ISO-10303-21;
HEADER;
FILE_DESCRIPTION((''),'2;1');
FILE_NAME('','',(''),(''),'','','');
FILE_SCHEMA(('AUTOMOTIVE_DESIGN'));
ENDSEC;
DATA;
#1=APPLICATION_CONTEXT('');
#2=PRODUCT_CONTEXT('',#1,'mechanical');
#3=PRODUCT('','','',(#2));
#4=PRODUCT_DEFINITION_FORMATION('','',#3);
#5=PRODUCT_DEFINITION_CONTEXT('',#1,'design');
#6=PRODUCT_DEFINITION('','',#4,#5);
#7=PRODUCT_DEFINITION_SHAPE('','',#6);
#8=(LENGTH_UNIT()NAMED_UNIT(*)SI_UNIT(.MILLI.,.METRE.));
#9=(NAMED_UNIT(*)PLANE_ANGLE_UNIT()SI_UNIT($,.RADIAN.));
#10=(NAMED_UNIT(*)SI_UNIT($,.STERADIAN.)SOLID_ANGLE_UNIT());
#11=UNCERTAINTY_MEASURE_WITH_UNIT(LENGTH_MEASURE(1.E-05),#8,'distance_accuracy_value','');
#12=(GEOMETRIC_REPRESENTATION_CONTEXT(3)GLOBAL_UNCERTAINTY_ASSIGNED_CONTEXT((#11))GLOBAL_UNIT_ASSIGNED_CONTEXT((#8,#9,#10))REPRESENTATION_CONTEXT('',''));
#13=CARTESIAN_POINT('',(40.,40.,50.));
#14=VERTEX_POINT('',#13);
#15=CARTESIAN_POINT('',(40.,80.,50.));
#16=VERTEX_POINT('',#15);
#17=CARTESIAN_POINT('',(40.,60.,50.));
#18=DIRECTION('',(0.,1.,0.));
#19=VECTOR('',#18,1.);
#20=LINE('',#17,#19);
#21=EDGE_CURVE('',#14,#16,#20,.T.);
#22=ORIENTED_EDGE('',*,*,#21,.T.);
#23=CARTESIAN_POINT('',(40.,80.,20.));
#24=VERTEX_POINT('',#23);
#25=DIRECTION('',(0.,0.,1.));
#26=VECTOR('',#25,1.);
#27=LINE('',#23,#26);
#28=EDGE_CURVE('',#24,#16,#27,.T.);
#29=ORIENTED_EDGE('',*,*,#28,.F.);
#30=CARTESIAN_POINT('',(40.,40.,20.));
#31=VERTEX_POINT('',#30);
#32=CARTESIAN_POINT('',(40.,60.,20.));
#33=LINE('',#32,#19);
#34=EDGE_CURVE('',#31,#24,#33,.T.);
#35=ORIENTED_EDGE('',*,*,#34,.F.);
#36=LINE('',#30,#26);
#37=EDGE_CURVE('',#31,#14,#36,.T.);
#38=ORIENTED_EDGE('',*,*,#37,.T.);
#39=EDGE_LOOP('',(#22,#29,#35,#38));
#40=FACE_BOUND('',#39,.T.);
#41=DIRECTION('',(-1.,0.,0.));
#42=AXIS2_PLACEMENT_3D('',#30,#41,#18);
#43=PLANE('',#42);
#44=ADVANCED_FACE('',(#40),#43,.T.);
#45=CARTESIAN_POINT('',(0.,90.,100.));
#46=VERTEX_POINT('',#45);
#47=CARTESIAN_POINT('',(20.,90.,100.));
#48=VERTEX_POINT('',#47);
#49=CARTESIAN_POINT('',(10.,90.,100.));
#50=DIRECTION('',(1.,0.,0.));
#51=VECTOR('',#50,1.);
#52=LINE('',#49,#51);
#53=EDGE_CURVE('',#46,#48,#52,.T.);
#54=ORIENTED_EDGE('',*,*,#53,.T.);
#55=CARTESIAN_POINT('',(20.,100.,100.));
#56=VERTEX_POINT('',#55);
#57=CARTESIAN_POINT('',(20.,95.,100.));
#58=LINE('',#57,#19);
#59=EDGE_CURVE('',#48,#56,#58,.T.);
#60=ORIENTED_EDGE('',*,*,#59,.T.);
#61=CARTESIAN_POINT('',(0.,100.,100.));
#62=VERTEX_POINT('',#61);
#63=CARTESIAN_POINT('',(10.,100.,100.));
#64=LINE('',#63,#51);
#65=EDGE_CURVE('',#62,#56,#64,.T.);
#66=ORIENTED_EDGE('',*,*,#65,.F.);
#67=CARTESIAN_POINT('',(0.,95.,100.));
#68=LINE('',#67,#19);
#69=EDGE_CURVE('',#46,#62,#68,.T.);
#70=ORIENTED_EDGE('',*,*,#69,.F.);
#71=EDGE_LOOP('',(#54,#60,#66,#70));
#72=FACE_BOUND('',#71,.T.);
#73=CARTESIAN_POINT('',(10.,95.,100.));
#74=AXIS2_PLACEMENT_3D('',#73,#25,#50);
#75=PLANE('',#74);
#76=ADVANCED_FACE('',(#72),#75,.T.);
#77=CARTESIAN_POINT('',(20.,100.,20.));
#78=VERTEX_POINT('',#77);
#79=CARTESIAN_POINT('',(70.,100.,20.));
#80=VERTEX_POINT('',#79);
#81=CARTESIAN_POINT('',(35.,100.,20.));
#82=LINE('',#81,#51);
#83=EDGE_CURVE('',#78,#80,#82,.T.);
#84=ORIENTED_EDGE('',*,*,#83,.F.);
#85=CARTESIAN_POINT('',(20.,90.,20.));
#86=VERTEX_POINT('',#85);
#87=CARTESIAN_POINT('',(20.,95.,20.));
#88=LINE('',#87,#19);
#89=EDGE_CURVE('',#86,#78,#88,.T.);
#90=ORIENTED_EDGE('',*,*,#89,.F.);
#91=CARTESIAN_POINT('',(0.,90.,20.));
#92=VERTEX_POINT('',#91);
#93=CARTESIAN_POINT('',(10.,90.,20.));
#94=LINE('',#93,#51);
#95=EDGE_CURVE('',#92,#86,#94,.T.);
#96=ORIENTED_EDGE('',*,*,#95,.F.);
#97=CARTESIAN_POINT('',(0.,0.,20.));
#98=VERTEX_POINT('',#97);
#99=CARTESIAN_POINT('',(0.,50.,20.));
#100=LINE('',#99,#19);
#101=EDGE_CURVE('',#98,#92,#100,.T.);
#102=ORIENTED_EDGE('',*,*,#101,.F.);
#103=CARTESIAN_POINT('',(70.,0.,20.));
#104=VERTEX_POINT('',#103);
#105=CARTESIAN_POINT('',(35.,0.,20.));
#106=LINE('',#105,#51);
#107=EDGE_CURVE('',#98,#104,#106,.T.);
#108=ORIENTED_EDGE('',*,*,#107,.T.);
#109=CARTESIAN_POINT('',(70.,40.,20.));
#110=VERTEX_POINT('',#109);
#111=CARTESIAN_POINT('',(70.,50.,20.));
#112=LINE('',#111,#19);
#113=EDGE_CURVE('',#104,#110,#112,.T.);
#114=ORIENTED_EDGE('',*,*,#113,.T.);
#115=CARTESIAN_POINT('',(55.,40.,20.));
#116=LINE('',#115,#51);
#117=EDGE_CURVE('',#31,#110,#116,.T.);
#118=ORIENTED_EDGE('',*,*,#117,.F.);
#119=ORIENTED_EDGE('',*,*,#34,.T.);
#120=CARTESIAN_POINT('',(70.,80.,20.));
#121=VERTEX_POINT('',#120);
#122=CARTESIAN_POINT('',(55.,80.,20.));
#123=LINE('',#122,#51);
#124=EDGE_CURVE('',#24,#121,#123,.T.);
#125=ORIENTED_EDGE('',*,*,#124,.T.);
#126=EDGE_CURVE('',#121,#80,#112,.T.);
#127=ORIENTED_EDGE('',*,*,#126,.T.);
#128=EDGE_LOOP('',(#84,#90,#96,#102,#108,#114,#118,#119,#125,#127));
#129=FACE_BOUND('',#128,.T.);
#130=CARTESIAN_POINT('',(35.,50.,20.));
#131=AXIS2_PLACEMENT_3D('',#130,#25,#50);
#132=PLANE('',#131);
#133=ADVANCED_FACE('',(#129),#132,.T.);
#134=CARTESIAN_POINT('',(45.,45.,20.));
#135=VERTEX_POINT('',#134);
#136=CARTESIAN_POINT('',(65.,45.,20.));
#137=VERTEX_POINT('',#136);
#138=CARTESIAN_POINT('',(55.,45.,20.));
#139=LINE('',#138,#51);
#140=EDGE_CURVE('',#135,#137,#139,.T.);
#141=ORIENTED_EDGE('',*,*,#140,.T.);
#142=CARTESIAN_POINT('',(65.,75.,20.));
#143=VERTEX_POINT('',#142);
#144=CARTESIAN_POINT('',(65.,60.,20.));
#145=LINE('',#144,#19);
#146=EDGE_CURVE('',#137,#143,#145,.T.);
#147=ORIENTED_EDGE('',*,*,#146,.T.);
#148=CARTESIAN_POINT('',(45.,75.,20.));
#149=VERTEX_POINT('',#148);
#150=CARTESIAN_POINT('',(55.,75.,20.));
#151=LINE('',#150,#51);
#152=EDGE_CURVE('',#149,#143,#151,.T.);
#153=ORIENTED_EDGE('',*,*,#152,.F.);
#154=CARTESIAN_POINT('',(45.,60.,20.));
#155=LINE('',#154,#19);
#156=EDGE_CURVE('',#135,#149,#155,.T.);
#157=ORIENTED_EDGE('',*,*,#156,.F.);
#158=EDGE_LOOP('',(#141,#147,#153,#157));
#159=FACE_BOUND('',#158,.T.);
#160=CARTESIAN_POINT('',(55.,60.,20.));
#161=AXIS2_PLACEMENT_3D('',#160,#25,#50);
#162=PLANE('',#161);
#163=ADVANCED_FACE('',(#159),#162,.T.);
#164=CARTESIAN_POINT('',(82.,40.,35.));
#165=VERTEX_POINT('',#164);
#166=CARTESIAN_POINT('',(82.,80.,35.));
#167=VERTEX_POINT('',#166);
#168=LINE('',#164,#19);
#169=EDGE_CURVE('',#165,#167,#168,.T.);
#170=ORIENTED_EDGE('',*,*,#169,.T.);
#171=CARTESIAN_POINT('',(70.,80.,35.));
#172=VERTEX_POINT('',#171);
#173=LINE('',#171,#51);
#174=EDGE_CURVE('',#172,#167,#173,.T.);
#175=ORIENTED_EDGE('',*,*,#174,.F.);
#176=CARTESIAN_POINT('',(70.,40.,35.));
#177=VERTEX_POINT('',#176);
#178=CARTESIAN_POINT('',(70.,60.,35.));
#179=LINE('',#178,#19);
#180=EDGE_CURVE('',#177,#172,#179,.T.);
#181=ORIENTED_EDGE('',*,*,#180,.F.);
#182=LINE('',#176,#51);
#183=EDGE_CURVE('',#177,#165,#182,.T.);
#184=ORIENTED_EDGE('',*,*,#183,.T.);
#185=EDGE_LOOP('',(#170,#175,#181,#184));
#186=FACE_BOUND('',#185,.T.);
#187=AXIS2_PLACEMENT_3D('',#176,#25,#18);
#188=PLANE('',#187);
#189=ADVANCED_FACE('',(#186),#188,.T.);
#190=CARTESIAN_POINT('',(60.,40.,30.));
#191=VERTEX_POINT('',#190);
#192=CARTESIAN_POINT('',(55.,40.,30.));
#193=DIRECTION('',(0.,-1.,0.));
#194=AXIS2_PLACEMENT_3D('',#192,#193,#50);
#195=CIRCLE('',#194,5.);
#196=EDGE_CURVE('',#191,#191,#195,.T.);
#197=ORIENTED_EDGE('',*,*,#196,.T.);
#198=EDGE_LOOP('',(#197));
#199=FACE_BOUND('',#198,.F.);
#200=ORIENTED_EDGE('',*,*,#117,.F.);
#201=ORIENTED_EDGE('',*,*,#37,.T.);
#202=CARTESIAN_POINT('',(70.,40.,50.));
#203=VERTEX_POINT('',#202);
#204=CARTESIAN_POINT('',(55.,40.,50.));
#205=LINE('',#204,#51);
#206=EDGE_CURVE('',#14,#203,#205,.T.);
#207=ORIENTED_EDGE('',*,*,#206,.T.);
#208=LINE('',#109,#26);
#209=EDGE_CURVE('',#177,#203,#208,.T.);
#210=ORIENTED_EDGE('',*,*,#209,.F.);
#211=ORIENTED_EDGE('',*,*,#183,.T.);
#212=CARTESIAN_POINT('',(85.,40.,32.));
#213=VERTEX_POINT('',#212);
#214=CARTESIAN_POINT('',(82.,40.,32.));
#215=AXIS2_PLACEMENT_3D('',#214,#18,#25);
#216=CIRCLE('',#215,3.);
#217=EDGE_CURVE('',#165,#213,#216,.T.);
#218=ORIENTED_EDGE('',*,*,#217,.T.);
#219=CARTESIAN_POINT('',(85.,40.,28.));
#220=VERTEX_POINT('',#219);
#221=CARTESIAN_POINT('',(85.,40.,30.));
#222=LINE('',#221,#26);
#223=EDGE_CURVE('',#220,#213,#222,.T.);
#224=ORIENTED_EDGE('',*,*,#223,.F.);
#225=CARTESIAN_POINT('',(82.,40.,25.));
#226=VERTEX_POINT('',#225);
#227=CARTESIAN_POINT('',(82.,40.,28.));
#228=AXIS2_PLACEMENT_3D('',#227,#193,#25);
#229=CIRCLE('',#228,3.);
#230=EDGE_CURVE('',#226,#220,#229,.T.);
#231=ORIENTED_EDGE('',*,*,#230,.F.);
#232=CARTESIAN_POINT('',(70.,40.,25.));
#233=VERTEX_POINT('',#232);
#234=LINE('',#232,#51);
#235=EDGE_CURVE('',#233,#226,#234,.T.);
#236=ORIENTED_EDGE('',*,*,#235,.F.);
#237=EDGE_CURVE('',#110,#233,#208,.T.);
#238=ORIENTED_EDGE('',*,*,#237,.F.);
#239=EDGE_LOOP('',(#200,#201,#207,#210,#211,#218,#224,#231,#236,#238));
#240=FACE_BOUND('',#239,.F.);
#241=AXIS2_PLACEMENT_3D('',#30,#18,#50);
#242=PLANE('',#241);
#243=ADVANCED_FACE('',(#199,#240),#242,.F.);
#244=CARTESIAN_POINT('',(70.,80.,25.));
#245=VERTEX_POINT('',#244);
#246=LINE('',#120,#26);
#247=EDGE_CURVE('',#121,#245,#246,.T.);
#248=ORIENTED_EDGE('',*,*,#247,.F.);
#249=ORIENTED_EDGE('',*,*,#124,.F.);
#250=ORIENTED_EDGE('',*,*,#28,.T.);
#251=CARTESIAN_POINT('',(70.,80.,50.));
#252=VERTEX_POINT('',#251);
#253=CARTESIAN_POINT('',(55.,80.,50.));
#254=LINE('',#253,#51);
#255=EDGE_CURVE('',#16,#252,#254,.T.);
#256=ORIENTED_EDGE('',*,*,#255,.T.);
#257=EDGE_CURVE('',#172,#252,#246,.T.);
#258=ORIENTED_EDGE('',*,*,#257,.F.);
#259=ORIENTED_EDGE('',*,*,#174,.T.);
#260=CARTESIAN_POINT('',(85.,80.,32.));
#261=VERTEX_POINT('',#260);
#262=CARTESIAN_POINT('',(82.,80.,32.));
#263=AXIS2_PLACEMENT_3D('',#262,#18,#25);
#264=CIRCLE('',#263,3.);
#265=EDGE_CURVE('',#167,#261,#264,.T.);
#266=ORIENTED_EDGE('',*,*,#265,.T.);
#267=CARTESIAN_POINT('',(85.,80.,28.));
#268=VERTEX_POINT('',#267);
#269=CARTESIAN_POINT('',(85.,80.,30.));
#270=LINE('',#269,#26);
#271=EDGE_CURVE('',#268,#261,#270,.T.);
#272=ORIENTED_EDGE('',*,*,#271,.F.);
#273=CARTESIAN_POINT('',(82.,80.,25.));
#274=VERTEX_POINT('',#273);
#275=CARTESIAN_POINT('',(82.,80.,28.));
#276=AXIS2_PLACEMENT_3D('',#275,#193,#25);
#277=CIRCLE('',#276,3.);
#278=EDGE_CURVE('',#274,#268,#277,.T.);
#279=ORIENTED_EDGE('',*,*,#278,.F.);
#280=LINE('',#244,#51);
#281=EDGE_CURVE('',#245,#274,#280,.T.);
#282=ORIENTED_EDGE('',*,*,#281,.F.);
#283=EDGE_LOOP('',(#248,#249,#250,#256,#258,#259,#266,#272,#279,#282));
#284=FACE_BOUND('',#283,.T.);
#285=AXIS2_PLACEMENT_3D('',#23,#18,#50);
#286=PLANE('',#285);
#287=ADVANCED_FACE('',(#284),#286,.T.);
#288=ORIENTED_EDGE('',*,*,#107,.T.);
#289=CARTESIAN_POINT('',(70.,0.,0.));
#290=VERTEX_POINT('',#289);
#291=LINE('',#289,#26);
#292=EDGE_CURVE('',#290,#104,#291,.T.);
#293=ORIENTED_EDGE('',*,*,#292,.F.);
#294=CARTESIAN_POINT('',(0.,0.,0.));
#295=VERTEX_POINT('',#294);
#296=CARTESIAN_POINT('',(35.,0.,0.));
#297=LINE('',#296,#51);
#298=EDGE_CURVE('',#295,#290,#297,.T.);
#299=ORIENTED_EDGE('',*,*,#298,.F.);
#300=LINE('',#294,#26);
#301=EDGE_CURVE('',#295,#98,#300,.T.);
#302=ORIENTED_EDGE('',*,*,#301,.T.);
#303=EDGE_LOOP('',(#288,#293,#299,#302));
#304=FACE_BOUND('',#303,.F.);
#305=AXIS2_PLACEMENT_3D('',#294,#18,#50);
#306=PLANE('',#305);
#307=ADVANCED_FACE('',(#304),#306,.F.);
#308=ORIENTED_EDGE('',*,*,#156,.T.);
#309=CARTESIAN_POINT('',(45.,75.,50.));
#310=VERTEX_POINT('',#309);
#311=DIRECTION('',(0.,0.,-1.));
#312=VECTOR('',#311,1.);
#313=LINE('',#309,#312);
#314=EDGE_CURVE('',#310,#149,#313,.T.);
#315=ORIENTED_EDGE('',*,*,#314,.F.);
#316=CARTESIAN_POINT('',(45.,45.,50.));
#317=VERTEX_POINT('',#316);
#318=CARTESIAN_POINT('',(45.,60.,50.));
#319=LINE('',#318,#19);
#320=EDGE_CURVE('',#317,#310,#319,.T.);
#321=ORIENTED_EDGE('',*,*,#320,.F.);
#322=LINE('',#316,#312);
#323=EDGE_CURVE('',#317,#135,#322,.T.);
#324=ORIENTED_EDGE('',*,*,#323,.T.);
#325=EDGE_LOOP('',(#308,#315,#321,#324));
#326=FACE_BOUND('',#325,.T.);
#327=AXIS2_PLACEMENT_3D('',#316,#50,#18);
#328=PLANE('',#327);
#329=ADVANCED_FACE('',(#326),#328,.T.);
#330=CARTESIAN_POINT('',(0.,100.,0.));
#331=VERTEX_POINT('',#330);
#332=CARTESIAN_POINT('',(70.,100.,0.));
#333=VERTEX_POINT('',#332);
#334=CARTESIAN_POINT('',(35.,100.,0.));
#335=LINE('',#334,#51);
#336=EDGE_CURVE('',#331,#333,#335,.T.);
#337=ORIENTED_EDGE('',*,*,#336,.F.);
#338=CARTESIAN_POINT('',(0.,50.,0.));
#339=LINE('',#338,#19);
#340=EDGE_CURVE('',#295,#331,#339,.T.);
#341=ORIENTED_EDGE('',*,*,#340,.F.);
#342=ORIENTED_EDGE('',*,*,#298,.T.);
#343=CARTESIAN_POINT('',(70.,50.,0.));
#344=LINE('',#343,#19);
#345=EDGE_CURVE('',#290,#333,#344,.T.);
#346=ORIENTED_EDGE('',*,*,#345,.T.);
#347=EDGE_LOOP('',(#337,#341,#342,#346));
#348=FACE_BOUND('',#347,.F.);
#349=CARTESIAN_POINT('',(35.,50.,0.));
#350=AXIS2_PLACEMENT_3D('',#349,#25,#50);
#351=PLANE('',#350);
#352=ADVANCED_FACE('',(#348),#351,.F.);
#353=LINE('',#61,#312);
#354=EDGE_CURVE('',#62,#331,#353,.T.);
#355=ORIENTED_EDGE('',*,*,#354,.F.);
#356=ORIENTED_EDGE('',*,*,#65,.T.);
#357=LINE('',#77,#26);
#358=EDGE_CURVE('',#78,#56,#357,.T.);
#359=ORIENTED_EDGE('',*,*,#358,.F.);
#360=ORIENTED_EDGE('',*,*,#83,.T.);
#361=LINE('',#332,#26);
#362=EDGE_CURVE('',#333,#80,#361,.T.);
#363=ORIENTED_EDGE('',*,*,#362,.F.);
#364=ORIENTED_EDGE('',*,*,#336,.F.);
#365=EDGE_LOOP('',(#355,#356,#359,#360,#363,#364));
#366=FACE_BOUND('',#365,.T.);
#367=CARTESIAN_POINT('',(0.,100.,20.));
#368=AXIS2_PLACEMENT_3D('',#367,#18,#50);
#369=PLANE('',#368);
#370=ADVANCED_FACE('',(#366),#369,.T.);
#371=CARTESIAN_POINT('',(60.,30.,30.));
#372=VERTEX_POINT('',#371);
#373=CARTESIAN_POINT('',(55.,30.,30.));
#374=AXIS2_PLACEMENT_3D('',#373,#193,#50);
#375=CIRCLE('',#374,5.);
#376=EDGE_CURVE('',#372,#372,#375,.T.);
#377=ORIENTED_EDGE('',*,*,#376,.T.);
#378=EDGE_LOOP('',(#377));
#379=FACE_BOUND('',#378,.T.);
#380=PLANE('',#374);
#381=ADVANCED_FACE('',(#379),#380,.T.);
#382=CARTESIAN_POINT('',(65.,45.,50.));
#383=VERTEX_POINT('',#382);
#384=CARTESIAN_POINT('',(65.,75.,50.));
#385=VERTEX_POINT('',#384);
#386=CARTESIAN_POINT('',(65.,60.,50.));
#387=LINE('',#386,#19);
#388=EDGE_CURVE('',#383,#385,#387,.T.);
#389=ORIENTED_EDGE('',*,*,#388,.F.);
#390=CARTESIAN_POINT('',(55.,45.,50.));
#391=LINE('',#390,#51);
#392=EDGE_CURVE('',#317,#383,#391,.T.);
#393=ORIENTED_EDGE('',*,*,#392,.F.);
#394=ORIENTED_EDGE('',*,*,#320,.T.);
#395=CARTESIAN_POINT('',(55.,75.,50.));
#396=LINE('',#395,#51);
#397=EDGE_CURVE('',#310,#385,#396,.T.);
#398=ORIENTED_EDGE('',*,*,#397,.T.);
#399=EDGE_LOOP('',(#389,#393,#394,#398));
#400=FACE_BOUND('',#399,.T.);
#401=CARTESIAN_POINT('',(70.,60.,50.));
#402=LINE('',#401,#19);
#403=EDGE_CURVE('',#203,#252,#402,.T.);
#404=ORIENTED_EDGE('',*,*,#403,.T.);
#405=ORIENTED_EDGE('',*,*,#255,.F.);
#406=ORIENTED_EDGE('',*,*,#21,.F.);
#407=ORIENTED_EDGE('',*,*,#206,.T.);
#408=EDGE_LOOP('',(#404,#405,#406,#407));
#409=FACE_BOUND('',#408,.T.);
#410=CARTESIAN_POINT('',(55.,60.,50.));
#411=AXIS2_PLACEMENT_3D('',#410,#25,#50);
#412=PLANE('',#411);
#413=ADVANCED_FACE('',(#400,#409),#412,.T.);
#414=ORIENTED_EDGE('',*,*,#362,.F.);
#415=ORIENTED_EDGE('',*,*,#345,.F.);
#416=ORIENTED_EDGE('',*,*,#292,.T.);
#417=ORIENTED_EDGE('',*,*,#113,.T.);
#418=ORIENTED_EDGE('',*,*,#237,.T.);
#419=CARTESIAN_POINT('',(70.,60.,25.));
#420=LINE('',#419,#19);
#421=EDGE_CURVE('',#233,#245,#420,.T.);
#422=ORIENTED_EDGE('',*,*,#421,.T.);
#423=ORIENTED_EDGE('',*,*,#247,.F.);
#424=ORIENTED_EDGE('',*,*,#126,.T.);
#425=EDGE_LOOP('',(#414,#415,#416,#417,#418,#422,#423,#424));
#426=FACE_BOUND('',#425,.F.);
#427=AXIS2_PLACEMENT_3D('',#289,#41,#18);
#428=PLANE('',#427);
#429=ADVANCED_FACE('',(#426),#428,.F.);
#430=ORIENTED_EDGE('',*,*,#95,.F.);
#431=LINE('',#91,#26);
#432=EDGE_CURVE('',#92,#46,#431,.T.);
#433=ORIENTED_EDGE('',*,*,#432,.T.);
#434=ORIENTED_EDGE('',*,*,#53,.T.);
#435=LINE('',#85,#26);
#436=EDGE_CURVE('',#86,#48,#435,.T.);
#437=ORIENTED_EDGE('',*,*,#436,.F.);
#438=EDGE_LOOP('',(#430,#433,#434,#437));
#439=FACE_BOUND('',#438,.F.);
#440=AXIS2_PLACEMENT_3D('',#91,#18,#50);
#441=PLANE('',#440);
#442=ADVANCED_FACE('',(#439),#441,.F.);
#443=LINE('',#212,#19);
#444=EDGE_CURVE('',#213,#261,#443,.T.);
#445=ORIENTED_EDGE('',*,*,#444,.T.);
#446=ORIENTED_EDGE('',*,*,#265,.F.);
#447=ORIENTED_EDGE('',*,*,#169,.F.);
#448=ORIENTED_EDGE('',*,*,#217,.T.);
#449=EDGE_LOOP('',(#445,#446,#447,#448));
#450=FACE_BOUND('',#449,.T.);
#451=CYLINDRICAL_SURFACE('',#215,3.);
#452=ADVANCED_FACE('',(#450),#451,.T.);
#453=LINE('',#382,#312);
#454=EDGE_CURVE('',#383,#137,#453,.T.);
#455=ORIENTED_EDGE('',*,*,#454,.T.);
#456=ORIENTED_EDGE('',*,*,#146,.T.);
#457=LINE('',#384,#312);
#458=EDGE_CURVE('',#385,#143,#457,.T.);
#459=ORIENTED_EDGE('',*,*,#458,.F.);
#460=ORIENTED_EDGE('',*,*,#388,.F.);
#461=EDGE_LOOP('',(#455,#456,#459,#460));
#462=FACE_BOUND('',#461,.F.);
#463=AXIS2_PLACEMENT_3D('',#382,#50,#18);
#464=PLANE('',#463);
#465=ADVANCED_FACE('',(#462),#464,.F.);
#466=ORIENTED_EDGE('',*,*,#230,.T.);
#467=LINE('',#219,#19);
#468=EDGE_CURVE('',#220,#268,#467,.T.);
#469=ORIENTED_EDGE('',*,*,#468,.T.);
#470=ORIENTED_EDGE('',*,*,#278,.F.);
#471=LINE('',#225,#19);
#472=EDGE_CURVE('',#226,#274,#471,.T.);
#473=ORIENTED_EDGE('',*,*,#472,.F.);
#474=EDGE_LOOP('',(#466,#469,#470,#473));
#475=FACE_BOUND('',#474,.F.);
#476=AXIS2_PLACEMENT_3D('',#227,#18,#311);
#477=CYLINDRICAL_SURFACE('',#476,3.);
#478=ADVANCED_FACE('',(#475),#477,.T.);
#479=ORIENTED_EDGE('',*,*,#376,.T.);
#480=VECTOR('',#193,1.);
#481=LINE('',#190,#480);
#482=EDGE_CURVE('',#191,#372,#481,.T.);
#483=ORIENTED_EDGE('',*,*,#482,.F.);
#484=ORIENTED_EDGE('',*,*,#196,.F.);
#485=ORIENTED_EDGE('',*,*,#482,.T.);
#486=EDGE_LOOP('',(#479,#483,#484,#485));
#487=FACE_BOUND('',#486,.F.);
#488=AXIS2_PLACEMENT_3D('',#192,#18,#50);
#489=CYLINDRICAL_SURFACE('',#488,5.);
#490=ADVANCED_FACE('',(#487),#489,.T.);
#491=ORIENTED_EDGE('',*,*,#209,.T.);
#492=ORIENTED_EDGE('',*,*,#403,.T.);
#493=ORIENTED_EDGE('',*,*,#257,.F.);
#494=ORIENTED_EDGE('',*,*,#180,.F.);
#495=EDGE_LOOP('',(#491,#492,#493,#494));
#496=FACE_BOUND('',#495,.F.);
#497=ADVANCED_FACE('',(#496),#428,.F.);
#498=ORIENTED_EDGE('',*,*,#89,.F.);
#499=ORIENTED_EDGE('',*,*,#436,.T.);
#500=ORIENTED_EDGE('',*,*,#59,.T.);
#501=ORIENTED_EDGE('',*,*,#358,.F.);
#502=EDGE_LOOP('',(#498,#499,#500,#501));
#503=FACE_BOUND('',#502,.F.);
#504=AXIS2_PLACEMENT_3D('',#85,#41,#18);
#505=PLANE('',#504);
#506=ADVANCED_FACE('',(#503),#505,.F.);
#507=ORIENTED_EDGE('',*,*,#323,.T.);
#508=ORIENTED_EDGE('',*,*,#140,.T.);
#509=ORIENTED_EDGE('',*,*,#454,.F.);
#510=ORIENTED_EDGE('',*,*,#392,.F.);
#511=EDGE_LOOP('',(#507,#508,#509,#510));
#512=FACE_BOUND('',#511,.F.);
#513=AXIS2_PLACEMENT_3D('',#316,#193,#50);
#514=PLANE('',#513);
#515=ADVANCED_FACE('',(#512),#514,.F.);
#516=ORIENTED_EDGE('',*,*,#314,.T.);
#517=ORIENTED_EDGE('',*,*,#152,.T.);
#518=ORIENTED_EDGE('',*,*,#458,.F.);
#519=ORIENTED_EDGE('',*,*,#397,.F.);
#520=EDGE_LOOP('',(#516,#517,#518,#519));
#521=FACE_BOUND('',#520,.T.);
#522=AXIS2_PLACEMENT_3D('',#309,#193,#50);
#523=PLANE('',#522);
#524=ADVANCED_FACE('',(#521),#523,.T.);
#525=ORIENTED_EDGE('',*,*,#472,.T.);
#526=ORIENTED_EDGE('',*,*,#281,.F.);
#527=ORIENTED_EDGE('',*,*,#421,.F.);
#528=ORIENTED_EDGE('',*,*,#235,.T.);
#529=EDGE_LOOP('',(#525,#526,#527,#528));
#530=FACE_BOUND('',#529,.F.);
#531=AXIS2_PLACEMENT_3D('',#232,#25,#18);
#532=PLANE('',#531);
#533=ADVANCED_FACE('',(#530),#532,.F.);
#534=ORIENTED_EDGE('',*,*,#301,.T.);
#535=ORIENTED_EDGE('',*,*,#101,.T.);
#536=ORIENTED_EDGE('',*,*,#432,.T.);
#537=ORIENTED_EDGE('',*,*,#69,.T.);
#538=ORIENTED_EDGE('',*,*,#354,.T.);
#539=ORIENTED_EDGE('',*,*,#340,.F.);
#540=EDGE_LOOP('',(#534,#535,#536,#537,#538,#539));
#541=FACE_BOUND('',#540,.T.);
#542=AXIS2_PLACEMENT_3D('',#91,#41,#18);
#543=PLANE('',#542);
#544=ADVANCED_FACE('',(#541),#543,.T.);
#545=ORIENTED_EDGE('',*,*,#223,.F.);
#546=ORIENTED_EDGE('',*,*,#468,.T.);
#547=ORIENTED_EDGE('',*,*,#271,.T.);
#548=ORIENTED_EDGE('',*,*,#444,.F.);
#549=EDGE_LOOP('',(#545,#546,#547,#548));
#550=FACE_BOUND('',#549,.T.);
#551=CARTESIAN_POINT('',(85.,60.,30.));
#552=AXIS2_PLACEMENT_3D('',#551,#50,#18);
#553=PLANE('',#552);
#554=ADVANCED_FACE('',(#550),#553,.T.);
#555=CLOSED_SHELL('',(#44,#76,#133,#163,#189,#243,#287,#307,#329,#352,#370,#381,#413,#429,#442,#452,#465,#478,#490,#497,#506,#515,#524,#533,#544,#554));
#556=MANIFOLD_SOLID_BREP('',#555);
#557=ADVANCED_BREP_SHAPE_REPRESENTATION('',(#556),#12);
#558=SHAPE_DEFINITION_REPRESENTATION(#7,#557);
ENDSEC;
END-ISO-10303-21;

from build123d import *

# Parameters (mm, degrees)
F0_W      = 70
F0_H      = 100
F1_DEPTH  = 20
F2_W      = 20
F2_H      = 10
F3_DEPTH  = 80
F4_W      = 30
F4_H      = 40
F5_DEPTH  = 30
F6_W      = 20
F6_H      = 30
F7_DEPTH  = 30
F8_W      = 40
F8_H      = 10
F9_DEPTH  = 15
F10_R     = 5
F11_DEPTH = 10
F12_R     = 3


with BuildPart() as f1:
    # F0 (on Top) → F1 (new body)
    with BuildSketch(Plane.XY):
        with Locations((35, 50)):
            Rectangle(F0_W, F0_H)
    extrude(amount=F1_DEPTH)

    # F2 (on face) → F3 (join)
    with BuildSketch(Plane.XY.offset(20)):
        with Locations((10, 95)):
            Rectangle(F2_W, F2_H)
    extrude(amount=F3_DEPTH)

    # F4 (on face) → F5 (join)
    with BuildSketch(Plane.XY.offset(20)):
        with Locations((55, 60)):
            Rectangle(F4_W, F4_H)
    extrude(amount=F5_DEPTH)

    # F6 (on face) → F7 (cut)
    with BuildSketch(Plane.XY.offset(50)):
        with Locations((55, 60)):
            Rectangle(F6_W, F6_H)
    extrude(amount=-F7_DEPTH, mode=Mode.SUBTRACT)

    # F8 (on face) → F9 (join)
    with BuildSketch(Plane.YZ.offset(70)):
        with Locations((60, 30)):
            Rectangle(F8_W, F8_H)
    extrude(amount=F9_DEPTH)

    # F10 (on face) → F11 (join)
    with BuildSketch(Plane.XZ.offset(-40)):
        with Locations((55, 30)):
            Circle(F10_R)
    extrude(amount=F11_DEPTH)

    # F12
    f12_edges = [f1.edges().sort_by_distance(p)[0] for p in [
        (85, 60, 35),
        (85, 60, 25),
    ]]
    fillet(f12_edges, radius=F12_R)


solid = f1.part
